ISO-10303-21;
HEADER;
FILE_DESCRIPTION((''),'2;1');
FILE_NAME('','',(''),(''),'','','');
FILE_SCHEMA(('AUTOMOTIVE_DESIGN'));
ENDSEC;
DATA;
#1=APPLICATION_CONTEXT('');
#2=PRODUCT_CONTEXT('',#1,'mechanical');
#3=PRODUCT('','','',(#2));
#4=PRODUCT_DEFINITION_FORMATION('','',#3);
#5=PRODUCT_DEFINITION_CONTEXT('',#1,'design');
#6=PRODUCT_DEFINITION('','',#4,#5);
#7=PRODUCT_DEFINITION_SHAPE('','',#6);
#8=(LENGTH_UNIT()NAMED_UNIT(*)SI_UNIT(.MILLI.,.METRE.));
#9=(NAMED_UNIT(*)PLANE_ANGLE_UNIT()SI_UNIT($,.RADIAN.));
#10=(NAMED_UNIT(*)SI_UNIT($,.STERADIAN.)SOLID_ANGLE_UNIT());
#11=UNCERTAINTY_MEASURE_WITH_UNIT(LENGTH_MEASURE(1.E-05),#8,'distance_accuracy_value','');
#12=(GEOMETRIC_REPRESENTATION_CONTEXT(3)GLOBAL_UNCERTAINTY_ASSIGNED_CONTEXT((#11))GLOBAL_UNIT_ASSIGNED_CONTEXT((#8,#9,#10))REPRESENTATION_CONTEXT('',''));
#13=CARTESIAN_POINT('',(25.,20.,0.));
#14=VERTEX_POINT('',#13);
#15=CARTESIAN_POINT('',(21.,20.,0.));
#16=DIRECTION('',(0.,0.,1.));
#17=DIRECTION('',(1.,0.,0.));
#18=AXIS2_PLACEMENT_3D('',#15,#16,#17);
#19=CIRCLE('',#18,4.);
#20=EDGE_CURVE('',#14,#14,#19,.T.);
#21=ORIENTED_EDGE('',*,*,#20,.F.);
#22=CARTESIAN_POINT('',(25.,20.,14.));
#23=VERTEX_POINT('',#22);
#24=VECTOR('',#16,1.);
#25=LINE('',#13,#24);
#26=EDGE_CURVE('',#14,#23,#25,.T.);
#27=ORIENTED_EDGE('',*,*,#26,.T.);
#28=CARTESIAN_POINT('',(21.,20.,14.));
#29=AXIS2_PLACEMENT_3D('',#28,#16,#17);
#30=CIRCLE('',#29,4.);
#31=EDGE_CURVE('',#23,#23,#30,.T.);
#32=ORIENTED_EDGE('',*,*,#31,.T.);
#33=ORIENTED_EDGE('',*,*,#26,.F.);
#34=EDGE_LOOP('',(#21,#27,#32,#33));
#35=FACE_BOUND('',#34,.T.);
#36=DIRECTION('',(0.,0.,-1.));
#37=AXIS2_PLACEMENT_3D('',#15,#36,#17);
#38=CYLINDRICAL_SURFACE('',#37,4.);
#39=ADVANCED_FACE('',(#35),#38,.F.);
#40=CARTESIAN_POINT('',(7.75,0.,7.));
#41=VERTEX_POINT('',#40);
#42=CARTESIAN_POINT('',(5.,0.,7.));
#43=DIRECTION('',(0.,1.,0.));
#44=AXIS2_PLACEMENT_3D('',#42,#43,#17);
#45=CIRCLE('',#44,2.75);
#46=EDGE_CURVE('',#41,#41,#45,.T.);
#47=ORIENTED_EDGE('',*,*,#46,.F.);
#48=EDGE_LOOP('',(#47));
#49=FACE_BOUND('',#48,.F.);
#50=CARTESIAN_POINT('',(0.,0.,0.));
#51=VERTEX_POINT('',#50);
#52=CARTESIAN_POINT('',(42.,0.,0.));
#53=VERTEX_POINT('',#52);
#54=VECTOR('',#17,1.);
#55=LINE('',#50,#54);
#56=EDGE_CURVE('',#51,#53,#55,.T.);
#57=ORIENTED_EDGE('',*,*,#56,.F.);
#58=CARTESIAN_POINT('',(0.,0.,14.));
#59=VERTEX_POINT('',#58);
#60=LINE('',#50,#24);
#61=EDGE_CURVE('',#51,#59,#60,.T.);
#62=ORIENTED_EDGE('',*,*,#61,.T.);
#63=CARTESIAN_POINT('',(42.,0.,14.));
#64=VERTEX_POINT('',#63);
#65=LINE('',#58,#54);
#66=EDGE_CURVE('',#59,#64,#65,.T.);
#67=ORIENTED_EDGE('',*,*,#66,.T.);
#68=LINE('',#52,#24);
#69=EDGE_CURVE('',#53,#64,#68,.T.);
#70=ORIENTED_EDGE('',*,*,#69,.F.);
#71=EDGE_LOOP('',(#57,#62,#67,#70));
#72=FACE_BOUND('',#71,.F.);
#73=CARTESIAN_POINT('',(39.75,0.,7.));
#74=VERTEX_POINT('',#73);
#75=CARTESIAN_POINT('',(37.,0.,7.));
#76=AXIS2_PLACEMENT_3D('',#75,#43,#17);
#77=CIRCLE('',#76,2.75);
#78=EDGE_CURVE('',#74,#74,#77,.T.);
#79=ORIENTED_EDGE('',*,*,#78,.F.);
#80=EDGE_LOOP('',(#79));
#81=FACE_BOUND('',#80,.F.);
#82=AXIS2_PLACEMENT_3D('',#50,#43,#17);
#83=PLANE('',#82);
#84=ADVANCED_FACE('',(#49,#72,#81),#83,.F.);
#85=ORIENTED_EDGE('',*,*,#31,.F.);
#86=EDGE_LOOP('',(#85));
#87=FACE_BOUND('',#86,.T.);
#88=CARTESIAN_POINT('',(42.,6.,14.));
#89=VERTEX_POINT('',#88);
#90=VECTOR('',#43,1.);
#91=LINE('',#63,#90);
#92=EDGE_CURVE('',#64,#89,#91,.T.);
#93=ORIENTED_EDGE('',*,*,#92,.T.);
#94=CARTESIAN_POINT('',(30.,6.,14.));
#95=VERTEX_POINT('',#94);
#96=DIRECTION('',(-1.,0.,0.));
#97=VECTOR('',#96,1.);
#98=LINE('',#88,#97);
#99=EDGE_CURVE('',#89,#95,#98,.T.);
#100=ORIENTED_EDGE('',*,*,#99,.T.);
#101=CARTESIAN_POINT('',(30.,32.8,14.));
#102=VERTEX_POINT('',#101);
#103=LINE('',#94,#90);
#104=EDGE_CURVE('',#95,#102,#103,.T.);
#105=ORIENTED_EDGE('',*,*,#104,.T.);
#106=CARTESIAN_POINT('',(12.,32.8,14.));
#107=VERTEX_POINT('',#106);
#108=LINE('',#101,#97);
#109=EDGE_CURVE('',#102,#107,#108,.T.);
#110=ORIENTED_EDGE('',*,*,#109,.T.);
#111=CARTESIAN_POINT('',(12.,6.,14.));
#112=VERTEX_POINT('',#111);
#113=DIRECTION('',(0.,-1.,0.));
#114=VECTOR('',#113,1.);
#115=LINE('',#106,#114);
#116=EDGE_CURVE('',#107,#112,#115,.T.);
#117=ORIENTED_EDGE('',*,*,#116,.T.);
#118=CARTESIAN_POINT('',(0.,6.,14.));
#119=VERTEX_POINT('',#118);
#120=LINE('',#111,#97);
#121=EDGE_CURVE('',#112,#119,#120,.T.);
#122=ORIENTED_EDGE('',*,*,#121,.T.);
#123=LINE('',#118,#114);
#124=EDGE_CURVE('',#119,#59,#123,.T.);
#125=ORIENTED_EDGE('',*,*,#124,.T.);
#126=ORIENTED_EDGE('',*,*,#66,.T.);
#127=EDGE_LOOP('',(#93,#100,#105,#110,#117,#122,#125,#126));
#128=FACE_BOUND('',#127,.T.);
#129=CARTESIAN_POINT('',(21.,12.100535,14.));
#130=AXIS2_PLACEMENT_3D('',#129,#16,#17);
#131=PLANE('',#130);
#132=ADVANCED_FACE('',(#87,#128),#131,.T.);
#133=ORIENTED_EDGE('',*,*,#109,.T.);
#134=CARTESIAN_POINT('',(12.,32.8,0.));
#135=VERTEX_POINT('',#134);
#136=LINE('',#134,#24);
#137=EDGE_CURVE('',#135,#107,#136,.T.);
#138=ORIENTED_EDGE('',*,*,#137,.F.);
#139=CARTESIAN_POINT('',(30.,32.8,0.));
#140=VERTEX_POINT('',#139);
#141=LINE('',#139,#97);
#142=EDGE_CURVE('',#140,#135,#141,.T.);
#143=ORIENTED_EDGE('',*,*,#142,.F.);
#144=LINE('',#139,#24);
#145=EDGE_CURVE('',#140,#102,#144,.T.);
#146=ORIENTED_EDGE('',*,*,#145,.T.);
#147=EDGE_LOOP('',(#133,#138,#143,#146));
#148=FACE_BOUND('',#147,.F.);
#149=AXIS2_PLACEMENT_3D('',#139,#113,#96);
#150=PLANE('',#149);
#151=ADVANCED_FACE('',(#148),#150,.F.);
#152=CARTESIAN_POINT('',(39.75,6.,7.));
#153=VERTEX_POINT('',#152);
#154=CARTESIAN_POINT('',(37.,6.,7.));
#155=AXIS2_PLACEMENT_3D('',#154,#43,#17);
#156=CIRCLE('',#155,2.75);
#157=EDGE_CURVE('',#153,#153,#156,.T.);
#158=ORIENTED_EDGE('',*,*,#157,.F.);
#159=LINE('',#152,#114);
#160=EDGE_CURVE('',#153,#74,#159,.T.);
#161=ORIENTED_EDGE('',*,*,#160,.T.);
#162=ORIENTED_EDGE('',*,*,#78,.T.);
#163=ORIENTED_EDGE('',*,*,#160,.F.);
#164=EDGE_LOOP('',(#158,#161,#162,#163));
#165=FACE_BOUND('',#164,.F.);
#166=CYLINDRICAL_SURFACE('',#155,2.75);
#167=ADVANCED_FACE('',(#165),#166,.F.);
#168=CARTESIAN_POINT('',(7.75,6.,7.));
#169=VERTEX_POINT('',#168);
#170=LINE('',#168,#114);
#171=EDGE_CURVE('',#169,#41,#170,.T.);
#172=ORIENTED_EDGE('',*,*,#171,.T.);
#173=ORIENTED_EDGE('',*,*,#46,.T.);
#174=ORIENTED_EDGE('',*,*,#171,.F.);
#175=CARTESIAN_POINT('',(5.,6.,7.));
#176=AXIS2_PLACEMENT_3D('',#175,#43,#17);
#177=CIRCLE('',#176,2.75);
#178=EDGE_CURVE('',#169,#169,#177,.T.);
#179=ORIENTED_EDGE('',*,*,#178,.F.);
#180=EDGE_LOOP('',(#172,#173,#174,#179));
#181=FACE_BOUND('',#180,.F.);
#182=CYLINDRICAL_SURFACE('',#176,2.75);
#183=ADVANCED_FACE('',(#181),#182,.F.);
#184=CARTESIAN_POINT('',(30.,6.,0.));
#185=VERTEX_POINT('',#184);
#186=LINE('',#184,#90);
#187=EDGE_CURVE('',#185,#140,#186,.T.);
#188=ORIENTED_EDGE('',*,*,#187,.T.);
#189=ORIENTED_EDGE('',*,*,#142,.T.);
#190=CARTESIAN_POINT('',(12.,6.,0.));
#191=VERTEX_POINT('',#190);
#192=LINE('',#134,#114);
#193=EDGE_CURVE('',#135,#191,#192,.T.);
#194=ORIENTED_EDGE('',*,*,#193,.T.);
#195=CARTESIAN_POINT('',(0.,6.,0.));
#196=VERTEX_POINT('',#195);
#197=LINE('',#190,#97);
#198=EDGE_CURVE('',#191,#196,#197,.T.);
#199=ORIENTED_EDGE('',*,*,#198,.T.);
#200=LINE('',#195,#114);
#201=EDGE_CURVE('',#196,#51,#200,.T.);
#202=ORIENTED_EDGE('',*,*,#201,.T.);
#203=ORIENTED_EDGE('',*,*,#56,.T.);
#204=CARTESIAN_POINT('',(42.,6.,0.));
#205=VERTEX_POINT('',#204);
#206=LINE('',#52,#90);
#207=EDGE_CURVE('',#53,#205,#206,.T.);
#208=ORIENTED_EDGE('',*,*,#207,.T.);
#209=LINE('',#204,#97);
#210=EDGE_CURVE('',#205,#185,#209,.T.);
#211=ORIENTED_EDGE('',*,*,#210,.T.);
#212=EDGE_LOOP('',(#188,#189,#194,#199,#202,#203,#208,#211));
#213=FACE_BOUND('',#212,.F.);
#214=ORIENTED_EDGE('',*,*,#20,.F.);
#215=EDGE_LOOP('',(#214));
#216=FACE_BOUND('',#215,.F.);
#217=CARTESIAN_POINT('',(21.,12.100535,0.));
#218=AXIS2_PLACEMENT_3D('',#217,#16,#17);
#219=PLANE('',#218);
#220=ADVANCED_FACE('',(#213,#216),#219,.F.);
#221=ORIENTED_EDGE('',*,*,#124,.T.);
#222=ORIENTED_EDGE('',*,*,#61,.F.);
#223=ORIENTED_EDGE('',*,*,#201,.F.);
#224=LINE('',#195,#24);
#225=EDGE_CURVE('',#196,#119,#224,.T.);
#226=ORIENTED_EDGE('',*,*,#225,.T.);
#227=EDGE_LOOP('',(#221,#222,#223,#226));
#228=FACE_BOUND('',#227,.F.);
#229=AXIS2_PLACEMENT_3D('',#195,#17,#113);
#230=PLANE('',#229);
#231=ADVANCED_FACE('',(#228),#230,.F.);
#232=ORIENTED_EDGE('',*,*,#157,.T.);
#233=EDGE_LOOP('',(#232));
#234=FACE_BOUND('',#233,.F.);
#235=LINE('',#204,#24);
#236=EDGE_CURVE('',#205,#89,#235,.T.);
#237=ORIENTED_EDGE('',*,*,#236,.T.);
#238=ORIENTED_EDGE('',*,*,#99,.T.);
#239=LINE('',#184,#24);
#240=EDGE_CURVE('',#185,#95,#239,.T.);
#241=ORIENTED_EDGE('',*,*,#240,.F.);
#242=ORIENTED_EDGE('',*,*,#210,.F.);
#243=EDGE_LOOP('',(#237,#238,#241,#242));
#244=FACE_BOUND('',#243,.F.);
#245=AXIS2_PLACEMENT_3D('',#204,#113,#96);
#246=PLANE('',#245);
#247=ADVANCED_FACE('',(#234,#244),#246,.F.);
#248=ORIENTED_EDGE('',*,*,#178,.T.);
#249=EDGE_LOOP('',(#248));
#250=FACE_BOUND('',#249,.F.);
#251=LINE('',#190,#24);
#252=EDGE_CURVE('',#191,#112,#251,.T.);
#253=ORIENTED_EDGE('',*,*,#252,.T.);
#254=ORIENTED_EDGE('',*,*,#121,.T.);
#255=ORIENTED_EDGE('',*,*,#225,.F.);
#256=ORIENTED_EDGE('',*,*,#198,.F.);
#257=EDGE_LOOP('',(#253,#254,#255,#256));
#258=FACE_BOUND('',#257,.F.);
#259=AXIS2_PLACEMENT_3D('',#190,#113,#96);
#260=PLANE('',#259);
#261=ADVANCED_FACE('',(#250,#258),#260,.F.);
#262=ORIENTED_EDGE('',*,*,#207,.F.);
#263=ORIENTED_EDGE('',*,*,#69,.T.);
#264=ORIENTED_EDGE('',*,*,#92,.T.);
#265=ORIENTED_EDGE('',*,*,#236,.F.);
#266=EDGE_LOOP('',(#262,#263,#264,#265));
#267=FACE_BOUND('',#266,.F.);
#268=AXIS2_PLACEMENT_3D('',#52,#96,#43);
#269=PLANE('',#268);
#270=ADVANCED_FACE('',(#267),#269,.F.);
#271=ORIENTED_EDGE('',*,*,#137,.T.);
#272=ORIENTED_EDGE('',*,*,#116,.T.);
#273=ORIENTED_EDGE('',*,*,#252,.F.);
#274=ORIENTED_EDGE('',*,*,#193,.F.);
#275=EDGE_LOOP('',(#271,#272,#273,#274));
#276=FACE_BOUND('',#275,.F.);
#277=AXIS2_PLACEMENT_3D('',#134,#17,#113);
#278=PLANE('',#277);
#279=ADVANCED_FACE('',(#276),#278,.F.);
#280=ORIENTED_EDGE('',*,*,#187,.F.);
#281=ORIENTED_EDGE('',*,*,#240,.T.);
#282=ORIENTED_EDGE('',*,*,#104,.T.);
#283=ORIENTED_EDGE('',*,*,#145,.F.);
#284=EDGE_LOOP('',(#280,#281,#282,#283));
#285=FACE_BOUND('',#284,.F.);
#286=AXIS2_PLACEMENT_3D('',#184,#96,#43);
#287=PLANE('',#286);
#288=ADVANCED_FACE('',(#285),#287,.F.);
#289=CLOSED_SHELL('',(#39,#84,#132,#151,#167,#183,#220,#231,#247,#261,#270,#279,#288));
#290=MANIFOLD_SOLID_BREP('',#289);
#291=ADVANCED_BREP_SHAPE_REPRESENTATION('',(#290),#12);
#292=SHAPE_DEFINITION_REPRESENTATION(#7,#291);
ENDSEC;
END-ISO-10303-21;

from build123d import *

# Parameters (mm, degrees)
SKETCH1_R           = 4
BOSS_EXTRUDE1_DEPTH = 14
SKETCH2_R           = 2.75
CUT_EXTRUDE1_DEPTH  = 7


with BuildPart() as part:
    # Sketch1 → Boss-Extrude1 (new body)
    with BuildSketch(Plane.XY):
        Polygon((0, 0), (42, 0), (42, 6), (30, 6), (30, 32.8), (12, 32.8), (12, 6), (0, 6), align=None)
        with Locations((21, 20)):
            Circle(SKETCH1_R, mode=Mode.SUBTRACT)
    extrude(amount=BOSS_EXTRUDE1_DEPTH)

    # Sketch2 → Cut-Extrude1 (cut, through all)
    with BuildSketch(Plane(origin=(0, 6, 0), x_dir=(1, 0, 0), z_dir=(0, 1, 0))):
        with Locations((5, -7)):
            Circle(SKETCH2_R)
        with Locations((37, -7)):
            Circle(SKETCH2_R)
    extrude(amount=-CUT_EXTRUDE1_DEPTH, mode=Mode.SUBTRACT)


solid = part.part
